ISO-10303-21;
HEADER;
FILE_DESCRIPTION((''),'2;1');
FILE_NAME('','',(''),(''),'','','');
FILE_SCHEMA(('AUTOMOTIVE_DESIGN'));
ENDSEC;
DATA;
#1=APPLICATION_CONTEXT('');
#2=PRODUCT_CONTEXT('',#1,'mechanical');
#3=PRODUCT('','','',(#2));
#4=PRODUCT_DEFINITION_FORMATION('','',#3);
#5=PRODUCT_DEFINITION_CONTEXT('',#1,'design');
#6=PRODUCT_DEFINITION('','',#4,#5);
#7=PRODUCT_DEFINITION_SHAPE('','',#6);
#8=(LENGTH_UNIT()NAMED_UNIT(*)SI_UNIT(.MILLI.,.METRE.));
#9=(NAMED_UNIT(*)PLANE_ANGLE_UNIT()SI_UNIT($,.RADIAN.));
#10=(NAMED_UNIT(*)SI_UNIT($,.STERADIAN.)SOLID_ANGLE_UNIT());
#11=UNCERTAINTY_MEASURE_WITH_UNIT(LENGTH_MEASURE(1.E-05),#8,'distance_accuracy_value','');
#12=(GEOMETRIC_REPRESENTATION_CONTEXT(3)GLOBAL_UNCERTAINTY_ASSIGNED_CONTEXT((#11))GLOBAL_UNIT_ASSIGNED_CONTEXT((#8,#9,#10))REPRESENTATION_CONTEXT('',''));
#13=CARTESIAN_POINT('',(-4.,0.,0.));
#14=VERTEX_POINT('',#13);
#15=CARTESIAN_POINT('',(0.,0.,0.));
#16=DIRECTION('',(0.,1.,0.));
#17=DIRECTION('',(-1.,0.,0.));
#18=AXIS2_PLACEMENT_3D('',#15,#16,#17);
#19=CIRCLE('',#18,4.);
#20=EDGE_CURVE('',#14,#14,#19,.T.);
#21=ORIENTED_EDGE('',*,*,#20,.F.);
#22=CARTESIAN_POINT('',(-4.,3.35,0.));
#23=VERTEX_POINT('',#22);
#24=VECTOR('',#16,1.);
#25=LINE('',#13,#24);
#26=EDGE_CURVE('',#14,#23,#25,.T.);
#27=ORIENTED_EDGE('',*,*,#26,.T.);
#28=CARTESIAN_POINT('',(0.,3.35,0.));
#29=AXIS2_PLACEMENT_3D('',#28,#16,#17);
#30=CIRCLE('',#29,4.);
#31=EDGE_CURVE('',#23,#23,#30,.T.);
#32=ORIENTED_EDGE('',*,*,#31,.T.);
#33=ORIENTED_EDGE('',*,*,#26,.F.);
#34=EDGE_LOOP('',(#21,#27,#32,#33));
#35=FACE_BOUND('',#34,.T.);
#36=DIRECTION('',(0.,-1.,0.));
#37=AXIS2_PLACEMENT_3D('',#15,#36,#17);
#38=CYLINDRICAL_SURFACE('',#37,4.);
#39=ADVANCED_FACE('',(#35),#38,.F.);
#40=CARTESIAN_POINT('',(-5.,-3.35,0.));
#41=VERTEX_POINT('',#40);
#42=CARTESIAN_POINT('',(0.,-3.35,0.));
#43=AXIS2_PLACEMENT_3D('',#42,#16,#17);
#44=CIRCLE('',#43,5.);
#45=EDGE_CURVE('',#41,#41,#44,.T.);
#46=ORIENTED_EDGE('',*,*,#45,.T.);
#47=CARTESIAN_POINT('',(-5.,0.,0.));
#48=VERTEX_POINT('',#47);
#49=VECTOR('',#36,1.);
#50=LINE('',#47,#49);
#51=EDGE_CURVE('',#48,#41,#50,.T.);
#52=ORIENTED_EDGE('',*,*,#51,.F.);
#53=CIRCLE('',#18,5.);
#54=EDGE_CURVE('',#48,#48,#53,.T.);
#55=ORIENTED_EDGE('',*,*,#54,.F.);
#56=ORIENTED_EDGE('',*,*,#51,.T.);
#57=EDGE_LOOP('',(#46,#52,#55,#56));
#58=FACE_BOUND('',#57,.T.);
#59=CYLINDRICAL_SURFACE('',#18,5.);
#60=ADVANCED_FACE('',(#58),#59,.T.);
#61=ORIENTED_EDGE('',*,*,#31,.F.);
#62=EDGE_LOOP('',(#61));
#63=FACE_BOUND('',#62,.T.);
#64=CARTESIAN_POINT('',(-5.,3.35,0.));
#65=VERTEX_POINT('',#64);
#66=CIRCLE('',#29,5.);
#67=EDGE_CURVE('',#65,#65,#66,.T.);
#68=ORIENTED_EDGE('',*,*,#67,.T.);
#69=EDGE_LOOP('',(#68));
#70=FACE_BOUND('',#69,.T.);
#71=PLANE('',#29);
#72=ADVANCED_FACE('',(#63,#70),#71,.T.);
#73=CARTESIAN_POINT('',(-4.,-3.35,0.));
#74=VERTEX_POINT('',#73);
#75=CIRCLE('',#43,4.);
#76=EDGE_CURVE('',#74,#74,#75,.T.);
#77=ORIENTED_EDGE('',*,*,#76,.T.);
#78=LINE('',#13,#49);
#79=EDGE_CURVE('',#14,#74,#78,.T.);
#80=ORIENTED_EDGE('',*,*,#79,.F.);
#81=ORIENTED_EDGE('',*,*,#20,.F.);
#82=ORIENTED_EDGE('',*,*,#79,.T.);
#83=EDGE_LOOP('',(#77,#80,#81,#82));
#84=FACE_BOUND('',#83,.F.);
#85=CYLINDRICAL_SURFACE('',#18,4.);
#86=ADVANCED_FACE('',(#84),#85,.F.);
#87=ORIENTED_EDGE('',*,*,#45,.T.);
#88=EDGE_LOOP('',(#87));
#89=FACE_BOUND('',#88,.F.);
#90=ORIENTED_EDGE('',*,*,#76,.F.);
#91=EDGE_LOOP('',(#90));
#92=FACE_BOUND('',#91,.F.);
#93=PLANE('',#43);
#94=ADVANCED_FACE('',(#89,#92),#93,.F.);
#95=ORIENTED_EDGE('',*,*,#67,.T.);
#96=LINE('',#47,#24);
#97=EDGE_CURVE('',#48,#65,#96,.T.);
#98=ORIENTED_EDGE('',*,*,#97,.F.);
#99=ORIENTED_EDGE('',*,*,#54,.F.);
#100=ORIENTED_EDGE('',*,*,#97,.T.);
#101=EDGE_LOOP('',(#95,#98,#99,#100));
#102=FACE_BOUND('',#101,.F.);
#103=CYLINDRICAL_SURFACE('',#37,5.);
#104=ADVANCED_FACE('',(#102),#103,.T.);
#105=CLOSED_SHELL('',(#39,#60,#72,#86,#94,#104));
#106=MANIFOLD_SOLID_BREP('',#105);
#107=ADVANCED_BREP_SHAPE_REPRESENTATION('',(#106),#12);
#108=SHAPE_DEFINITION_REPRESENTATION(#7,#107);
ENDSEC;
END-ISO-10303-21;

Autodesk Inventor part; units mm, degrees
ref_plane "YZ Plane" through (0, 0, 0) normal (1, 0, 0) x (0, 1, 0)
ref_plane "XZ Plane" through (0, 0, 0) normal (0, 1, 0) x (-1, 0, 0)
ref_plane "XY Plane" through (0, 0, 0) normal (0, 0, 1) x (1, 0, 0)
sketch "スケッチ1" plane through (0, 0, 0) normal (0, 1, 0) x (-1, 0, 0)
  circle A0 centre (0, 0) radius 5
  circle A1 centre (0, 0) radius 4
  dimension "d0" = 10
  dimension "d1" = 1
extrude "押し出し1" add sketch "スケッチ1" along normal mid plane 6.7
properties part number "collar_6.2"
